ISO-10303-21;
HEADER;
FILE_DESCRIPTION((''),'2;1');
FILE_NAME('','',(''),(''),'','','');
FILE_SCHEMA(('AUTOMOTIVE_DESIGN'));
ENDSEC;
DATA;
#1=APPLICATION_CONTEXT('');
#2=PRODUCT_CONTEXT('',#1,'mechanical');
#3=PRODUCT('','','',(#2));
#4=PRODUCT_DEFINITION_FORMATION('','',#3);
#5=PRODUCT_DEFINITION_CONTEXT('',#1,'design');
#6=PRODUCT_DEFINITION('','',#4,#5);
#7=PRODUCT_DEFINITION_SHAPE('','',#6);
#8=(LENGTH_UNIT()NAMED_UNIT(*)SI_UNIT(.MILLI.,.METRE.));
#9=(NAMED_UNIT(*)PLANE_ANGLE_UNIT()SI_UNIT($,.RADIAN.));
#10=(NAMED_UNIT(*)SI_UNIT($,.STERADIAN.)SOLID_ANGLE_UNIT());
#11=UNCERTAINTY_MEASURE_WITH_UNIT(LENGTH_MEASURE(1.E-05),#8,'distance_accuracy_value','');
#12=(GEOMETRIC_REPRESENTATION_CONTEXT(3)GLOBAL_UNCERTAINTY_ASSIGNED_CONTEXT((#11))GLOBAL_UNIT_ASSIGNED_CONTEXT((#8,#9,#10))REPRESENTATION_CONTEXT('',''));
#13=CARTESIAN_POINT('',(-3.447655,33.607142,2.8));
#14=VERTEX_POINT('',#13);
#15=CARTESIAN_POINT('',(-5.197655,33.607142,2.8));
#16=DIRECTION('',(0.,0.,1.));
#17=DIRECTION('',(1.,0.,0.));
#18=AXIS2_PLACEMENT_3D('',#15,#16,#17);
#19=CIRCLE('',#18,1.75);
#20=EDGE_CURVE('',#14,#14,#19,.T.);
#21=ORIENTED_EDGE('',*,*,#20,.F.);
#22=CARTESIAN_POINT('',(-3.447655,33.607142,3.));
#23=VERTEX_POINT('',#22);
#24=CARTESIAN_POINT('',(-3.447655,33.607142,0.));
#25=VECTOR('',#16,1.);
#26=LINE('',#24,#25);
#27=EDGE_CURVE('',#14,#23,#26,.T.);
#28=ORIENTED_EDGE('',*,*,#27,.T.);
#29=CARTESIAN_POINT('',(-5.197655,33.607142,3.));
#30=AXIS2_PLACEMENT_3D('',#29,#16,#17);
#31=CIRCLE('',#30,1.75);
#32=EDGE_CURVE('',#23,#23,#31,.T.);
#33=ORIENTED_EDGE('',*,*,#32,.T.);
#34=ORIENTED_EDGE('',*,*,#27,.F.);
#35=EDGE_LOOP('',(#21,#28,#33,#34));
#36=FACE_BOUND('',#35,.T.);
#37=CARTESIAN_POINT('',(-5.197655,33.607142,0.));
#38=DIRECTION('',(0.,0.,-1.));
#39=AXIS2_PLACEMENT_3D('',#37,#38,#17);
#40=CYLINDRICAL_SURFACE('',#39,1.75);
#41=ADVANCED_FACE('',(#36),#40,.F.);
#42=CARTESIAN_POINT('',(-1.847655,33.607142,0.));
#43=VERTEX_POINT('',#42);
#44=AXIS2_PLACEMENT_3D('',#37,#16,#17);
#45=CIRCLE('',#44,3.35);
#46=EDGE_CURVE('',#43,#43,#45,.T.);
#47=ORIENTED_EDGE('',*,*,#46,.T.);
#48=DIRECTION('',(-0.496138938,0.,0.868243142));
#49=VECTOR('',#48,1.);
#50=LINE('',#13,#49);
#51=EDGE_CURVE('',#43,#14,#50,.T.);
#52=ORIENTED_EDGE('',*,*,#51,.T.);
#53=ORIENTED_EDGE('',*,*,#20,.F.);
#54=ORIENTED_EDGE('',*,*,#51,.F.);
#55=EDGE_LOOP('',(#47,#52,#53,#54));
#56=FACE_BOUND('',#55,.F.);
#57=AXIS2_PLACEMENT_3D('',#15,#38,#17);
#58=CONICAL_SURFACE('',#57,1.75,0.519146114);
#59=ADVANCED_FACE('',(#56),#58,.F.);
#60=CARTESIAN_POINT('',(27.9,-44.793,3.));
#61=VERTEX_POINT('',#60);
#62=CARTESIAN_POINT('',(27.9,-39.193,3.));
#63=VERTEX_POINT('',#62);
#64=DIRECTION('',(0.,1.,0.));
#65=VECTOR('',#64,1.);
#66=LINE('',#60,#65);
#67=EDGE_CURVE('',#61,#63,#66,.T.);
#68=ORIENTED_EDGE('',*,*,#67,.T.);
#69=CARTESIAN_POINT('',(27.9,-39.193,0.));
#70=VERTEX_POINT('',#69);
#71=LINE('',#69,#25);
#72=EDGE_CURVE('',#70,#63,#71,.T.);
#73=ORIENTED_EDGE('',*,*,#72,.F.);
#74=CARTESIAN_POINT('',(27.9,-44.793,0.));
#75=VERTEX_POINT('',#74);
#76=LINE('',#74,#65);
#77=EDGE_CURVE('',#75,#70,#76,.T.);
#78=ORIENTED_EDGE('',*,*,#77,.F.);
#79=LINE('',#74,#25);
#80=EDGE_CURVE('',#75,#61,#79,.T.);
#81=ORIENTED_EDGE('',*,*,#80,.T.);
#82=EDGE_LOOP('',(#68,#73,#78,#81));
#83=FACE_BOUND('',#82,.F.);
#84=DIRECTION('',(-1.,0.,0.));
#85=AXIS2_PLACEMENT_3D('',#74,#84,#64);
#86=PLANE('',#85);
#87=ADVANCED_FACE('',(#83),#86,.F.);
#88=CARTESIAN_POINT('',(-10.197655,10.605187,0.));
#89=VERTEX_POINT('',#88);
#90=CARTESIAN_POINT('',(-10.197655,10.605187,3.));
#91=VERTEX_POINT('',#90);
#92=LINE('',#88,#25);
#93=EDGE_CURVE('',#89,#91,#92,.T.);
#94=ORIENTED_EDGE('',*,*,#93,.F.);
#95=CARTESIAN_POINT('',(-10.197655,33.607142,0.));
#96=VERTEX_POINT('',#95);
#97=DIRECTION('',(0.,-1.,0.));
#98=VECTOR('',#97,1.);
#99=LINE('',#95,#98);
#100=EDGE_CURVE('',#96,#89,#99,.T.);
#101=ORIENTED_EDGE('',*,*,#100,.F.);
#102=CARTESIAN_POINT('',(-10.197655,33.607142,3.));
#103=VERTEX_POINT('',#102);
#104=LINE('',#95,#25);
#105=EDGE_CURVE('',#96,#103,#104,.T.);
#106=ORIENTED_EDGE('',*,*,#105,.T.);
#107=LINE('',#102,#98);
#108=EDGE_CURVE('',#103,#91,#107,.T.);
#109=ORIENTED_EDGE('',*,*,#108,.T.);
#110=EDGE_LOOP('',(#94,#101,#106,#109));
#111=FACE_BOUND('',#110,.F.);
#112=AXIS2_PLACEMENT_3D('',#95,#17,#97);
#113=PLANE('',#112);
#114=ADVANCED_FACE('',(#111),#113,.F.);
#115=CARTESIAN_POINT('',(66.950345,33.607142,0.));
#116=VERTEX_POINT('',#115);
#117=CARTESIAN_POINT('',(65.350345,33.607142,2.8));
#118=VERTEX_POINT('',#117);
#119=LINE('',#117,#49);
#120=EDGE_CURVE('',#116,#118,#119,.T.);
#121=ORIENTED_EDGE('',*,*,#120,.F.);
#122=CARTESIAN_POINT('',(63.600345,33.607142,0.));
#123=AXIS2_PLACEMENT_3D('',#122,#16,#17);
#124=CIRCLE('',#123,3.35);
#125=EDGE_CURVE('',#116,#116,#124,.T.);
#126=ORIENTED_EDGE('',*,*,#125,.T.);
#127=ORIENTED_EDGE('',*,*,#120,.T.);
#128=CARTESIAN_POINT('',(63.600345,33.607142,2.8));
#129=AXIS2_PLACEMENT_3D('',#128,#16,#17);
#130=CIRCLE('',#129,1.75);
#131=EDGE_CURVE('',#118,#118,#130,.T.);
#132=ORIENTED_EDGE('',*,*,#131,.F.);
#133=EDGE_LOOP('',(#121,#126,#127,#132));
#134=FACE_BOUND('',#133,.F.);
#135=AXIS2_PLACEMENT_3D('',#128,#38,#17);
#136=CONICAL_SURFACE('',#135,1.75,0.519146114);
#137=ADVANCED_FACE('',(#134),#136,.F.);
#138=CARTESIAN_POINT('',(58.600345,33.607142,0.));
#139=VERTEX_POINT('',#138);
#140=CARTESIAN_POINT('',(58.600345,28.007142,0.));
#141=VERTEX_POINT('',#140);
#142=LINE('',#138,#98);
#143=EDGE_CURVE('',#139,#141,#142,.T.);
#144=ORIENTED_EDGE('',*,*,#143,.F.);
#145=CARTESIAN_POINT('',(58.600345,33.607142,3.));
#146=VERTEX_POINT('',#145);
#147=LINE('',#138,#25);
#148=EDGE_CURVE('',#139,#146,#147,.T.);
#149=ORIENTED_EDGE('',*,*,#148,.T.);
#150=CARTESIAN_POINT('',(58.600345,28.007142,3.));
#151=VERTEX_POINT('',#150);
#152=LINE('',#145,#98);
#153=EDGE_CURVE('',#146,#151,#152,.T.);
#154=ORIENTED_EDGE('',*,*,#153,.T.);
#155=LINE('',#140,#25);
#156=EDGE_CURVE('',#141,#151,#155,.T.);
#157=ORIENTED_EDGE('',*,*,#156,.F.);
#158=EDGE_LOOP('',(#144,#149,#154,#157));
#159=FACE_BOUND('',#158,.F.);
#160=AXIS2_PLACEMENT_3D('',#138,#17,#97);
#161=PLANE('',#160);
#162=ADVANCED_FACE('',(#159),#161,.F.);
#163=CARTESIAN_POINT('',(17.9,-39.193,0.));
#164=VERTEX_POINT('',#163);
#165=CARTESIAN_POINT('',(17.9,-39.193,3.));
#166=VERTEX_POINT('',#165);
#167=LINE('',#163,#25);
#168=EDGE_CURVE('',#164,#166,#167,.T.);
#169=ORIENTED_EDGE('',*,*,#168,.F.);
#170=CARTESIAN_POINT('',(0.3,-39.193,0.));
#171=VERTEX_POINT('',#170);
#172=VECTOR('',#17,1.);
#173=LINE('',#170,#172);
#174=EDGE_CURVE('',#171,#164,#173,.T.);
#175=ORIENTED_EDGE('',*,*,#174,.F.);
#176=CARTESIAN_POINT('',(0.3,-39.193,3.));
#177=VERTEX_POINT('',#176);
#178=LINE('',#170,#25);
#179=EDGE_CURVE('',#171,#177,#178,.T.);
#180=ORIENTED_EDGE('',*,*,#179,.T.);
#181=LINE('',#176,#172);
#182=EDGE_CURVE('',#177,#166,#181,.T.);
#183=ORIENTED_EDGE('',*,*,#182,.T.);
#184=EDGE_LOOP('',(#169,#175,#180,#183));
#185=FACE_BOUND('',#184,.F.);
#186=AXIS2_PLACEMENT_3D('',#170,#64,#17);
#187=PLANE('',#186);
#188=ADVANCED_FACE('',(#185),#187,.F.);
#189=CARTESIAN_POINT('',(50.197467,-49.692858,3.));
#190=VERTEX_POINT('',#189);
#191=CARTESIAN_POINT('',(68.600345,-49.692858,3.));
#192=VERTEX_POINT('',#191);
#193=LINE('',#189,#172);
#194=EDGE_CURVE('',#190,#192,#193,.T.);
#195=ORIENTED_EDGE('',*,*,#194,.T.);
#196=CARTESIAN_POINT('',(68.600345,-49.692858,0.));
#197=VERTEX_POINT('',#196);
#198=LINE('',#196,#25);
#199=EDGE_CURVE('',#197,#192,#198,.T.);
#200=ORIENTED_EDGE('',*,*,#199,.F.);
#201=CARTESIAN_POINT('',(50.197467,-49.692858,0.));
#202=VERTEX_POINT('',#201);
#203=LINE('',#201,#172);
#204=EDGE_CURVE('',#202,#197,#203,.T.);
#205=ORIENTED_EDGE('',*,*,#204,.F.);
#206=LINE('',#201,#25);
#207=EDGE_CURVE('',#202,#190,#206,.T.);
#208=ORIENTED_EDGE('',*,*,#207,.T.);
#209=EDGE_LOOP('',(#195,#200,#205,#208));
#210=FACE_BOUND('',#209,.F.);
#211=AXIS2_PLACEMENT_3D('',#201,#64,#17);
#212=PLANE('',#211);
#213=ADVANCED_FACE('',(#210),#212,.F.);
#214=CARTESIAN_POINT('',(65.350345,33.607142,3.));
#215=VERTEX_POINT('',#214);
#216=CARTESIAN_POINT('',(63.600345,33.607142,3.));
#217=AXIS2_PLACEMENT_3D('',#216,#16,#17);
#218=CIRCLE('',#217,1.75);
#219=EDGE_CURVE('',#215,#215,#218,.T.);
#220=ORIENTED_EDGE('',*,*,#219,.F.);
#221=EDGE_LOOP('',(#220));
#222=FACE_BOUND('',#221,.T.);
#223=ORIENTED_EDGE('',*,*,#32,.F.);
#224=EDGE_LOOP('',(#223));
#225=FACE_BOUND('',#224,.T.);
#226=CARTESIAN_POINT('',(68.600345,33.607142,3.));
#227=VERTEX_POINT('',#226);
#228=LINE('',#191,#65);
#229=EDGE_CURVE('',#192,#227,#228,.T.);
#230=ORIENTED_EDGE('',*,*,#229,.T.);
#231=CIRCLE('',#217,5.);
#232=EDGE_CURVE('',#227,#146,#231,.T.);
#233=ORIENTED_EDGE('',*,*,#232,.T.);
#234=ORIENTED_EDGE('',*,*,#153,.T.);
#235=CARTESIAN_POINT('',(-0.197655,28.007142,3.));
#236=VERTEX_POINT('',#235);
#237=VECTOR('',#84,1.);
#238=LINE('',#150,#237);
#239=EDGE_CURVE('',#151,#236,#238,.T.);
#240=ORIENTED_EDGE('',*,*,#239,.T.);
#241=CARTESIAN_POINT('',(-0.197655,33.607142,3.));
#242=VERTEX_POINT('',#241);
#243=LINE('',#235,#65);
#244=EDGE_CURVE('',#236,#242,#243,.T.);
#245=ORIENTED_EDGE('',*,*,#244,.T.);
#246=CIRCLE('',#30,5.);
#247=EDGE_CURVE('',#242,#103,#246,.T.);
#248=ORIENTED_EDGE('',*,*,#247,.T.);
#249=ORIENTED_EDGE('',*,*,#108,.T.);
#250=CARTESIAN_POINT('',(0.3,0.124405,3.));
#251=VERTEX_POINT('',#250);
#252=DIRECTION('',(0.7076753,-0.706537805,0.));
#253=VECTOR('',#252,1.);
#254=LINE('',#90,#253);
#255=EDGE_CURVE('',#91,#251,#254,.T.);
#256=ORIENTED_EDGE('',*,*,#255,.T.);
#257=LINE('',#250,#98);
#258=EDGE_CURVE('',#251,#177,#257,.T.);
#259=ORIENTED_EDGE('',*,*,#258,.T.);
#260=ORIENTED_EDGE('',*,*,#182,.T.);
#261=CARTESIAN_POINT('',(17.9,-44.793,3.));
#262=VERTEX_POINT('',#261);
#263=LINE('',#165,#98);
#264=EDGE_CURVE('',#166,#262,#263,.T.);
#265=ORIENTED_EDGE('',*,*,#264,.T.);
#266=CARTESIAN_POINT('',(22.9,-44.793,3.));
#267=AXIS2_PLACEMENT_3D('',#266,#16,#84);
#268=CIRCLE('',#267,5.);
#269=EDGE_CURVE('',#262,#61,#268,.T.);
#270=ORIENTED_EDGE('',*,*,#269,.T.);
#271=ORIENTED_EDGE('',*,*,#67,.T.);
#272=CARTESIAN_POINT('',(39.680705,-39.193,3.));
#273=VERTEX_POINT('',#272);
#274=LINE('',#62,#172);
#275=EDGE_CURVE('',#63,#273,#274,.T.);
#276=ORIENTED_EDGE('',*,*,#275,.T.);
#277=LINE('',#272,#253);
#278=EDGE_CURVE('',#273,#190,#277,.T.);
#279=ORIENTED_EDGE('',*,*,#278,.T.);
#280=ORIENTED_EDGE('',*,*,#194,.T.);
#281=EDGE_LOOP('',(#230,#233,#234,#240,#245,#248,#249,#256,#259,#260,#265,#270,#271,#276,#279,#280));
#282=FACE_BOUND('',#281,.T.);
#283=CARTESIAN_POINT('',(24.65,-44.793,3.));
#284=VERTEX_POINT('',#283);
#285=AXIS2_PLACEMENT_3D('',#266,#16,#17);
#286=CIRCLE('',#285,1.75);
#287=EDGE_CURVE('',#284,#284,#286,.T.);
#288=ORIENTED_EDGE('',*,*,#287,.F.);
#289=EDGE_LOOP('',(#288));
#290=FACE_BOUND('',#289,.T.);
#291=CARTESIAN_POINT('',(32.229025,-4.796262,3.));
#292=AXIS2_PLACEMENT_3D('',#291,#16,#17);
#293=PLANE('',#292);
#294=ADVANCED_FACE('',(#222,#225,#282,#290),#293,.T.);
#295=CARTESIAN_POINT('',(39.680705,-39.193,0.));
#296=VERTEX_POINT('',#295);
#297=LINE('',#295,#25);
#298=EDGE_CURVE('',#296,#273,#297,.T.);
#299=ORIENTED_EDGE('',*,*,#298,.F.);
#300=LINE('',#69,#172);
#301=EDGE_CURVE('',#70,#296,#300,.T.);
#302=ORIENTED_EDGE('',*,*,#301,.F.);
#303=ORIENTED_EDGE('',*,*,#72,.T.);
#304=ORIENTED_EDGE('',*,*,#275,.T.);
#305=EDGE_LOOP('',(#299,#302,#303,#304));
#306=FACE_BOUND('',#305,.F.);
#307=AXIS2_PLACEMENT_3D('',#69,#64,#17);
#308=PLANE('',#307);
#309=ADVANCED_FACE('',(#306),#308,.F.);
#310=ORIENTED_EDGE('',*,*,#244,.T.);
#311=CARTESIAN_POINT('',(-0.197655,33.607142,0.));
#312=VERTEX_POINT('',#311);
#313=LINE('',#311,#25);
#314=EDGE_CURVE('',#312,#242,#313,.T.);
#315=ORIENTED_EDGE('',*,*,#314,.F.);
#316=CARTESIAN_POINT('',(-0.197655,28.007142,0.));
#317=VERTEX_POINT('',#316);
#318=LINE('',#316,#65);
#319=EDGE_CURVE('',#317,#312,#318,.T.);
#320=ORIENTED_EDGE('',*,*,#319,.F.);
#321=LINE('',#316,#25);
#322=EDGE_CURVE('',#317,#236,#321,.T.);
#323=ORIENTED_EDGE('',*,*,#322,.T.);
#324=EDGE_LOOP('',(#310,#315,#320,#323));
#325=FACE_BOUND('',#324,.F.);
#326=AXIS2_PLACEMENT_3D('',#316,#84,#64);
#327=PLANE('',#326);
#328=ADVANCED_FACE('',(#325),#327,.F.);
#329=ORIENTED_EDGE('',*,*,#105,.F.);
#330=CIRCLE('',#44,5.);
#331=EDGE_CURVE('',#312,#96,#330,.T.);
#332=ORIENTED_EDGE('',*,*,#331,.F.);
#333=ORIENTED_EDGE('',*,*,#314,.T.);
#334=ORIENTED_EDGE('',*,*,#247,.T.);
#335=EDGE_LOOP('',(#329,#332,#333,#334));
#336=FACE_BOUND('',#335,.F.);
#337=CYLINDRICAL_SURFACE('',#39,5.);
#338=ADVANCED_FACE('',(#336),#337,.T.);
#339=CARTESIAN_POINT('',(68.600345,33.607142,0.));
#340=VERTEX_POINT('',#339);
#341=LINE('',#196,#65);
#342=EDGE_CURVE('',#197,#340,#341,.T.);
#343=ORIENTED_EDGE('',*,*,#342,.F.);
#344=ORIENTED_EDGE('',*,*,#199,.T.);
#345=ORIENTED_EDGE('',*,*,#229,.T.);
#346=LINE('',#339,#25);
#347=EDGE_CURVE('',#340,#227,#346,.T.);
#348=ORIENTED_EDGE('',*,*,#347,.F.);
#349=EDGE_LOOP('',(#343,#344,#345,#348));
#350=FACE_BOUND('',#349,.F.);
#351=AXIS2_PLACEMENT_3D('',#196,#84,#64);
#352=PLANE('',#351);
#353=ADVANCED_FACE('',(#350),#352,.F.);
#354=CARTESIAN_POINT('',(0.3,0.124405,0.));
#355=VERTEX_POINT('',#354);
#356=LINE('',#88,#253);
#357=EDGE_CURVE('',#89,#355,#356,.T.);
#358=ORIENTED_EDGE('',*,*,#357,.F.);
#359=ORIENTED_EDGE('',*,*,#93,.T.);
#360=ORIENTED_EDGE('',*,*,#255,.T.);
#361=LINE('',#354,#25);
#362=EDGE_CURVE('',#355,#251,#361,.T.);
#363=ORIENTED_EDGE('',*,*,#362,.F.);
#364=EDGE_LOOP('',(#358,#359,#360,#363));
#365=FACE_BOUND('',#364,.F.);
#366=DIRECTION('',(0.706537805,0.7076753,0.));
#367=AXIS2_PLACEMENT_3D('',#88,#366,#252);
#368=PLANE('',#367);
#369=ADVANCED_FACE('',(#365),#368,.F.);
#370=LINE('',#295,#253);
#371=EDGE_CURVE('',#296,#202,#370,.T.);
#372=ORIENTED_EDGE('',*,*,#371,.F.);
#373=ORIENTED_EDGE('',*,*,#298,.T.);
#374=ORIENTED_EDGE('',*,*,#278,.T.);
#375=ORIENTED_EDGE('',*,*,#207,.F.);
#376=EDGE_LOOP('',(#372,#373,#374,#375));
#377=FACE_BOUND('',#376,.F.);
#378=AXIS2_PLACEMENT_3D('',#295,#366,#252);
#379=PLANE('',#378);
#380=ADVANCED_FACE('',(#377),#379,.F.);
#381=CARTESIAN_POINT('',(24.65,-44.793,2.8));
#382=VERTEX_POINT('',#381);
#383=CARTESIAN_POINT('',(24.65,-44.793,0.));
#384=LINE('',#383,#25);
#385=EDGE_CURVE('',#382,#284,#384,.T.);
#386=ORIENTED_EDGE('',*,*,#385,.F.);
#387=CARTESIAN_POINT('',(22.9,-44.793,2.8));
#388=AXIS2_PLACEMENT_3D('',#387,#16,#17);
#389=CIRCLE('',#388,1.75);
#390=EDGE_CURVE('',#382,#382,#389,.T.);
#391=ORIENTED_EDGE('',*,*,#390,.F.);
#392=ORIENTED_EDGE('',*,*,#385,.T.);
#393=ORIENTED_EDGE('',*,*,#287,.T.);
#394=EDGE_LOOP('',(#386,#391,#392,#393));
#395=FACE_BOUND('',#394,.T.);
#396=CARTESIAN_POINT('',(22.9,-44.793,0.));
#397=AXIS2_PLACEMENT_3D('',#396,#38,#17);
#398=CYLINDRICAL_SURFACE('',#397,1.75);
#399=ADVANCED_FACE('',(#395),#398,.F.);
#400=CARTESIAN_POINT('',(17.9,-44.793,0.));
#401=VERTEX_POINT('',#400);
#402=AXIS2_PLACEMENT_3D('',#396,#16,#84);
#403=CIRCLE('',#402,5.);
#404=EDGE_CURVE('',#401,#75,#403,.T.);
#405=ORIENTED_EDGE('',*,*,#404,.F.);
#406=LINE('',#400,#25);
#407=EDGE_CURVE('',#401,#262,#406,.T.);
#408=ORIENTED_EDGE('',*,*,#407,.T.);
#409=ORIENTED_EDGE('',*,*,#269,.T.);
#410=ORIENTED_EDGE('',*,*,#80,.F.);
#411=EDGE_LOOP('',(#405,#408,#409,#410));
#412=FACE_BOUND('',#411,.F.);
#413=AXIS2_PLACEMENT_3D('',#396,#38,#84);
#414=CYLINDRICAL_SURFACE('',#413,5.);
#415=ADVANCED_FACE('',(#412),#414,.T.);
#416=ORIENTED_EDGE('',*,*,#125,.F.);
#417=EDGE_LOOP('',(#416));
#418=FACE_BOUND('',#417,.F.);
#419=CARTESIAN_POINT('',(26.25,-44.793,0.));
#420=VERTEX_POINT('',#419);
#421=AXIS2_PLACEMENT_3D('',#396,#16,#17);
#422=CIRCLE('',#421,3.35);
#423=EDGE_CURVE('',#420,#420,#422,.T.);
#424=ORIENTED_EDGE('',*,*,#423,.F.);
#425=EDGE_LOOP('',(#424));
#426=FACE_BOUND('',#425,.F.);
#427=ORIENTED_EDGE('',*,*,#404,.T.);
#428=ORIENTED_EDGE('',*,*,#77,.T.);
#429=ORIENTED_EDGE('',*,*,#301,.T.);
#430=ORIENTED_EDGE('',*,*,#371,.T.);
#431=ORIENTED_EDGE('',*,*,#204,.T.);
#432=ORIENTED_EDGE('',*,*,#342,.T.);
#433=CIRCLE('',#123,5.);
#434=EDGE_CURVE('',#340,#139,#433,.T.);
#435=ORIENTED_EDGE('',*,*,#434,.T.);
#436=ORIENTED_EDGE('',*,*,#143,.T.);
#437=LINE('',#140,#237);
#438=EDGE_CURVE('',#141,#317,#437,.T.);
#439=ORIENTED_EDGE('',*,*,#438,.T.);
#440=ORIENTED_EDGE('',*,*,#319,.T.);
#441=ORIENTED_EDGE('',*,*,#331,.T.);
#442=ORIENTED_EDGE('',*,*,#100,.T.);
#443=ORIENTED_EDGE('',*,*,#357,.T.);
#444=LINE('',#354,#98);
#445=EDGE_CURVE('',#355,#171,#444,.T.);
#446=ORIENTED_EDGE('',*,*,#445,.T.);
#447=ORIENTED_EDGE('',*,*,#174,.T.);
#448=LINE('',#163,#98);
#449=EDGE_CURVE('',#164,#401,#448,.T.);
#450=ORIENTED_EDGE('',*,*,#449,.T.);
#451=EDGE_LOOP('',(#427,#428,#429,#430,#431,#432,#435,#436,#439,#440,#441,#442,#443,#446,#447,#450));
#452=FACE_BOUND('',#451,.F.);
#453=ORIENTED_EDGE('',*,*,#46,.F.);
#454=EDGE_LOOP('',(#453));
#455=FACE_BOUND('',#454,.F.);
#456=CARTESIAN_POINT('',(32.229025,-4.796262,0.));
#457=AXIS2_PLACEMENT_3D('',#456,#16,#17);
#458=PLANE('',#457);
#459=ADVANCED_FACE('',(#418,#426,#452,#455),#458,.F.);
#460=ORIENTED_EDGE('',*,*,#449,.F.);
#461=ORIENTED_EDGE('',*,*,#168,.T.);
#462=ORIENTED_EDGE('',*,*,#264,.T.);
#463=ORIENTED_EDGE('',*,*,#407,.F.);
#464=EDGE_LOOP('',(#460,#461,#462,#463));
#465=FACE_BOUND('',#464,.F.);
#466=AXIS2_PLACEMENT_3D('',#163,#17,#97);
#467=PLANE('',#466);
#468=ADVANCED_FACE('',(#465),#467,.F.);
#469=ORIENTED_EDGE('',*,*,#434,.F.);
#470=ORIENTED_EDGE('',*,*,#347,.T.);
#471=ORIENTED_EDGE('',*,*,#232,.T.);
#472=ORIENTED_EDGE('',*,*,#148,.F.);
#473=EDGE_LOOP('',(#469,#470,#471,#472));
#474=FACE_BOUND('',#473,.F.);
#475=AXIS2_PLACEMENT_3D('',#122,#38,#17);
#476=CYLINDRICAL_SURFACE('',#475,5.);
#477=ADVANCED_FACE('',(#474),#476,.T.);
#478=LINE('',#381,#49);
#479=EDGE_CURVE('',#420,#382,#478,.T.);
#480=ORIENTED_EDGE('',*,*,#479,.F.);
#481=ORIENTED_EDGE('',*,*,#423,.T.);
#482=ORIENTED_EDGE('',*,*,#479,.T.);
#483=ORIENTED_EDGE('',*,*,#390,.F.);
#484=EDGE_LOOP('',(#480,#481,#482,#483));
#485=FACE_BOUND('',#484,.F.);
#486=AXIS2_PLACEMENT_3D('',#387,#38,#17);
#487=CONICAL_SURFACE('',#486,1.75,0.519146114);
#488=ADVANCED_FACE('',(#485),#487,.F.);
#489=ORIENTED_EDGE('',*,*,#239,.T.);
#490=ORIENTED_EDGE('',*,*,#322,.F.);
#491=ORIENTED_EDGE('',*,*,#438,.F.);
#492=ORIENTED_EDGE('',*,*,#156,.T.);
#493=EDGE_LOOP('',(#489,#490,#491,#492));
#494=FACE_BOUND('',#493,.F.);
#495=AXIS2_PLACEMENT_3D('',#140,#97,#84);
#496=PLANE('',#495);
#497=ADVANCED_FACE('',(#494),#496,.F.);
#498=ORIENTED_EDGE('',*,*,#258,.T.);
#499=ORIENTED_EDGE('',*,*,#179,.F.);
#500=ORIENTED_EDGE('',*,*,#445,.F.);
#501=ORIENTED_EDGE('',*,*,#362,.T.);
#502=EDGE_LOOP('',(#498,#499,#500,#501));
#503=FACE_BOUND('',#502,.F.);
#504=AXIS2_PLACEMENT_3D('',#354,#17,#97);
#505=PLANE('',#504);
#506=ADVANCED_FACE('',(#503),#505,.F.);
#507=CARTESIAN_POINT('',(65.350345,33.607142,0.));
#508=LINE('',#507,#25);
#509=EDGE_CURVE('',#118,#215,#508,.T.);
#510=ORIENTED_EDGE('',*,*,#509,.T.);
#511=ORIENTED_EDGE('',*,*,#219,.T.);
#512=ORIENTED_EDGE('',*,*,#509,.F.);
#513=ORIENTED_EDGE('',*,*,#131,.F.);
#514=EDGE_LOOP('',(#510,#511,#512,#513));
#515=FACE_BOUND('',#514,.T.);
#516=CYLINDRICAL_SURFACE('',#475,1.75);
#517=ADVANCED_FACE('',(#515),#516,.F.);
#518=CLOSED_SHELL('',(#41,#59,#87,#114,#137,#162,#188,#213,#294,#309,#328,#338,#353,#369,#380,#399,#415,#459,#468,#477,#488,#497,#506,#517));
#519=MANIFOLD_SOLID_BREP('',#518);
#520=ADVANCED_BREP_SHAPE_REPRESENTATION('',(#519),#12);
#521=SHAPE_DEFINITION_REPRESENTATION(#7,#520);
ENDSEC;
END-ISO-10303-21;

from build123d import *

# Parameters (mm, degrees)
F0_R     = 1.75
F1_DEPTH = 3
F2_SIZE2 = 2.8
F2_SIZE  = 1.6


with BuildPart() as f1:
    # F0 (on Top) → F1 (new body)
    with BuildSketch(Plane.XY):
        with BuildLine():
            Line((17.9, -39.193), (17.9, -44.793))
            ThreePointArc((17.9, -44.793), (22.9, -49.793), (27.9, -44.793))
            Line((27.9, -44.793), (27.9, -39.193))
            Line((27.9, -39.193), (39.6807047181, -39.193))
            Line((39.6807047181, -39.193), (50.1974673469, -49.6928583233))
            Line((50.1974673469, -49.6928583233), (68.6003446043, -49.6928583233))
            Line((68.6003446043, -49.6928583233), (68.6003446043, 33.6071416767))
            ThreePointArc((68.6003446043, 33.6071416767), (63.6003446043, 38.6071416767), (58.6003446043, 33.6071416767))
            Line((58.6003446043, 33.6071416767), (58.6003446043, 28.0071416767))
            Line((58.6003446043, 28.0071416767), (-0.1976553957, 28.0071416767))
            Line((-0.1976553957, 28.0071416767), (-0.1976553957, 33.6071416767))
            ThreePointArc((-0.1976553957, 33.6071416767), (-5.1976553957, 38.6071416767), (-10.1976553957, 33.6071416767))
            Line((-10.1976553957, 33.6071416767), (-10.1976553957, 10.6051872446))
            Line((-10.1976553957, 10.6051872446), (0.3, 0.124405442))
            Line((0.3, 0.124405442), (0.3, -39.193))
            Line((0.3, -39.193), (17.9, -39.193))
        make_face()
        with Locations((22.9, -44.793)):
            Circle(F0_R, mode=Mode.SUBTRACT)
        with Locations((-5.1976553957, 33.6071416767)):
            Circle(F0_R, mode=Mode.SUBTRACT)
        with Locations((63.6003446043, 33.6071416767)):
            Circle(F0_R, mode=Mode.SUBTRACT)
    extrude(amount=F1_DEPTH)

    # F2
    f2_edges = [f1.edges().sort_by_distance(p)[0] for p in [
        (21.15, -44.793, 0),
        (-6.947655, 33.607142, 0),
        (61.850345, 33.607142, 0),
    ]]
    f2_side = f1.faces().sort_by_distance((33.388783, -5.784916, 0))[0]
    chamfer(f2_edges, length=F2_SIZE, length2=F2_SIZE2, reference=f2_side)


solid = f1.part
